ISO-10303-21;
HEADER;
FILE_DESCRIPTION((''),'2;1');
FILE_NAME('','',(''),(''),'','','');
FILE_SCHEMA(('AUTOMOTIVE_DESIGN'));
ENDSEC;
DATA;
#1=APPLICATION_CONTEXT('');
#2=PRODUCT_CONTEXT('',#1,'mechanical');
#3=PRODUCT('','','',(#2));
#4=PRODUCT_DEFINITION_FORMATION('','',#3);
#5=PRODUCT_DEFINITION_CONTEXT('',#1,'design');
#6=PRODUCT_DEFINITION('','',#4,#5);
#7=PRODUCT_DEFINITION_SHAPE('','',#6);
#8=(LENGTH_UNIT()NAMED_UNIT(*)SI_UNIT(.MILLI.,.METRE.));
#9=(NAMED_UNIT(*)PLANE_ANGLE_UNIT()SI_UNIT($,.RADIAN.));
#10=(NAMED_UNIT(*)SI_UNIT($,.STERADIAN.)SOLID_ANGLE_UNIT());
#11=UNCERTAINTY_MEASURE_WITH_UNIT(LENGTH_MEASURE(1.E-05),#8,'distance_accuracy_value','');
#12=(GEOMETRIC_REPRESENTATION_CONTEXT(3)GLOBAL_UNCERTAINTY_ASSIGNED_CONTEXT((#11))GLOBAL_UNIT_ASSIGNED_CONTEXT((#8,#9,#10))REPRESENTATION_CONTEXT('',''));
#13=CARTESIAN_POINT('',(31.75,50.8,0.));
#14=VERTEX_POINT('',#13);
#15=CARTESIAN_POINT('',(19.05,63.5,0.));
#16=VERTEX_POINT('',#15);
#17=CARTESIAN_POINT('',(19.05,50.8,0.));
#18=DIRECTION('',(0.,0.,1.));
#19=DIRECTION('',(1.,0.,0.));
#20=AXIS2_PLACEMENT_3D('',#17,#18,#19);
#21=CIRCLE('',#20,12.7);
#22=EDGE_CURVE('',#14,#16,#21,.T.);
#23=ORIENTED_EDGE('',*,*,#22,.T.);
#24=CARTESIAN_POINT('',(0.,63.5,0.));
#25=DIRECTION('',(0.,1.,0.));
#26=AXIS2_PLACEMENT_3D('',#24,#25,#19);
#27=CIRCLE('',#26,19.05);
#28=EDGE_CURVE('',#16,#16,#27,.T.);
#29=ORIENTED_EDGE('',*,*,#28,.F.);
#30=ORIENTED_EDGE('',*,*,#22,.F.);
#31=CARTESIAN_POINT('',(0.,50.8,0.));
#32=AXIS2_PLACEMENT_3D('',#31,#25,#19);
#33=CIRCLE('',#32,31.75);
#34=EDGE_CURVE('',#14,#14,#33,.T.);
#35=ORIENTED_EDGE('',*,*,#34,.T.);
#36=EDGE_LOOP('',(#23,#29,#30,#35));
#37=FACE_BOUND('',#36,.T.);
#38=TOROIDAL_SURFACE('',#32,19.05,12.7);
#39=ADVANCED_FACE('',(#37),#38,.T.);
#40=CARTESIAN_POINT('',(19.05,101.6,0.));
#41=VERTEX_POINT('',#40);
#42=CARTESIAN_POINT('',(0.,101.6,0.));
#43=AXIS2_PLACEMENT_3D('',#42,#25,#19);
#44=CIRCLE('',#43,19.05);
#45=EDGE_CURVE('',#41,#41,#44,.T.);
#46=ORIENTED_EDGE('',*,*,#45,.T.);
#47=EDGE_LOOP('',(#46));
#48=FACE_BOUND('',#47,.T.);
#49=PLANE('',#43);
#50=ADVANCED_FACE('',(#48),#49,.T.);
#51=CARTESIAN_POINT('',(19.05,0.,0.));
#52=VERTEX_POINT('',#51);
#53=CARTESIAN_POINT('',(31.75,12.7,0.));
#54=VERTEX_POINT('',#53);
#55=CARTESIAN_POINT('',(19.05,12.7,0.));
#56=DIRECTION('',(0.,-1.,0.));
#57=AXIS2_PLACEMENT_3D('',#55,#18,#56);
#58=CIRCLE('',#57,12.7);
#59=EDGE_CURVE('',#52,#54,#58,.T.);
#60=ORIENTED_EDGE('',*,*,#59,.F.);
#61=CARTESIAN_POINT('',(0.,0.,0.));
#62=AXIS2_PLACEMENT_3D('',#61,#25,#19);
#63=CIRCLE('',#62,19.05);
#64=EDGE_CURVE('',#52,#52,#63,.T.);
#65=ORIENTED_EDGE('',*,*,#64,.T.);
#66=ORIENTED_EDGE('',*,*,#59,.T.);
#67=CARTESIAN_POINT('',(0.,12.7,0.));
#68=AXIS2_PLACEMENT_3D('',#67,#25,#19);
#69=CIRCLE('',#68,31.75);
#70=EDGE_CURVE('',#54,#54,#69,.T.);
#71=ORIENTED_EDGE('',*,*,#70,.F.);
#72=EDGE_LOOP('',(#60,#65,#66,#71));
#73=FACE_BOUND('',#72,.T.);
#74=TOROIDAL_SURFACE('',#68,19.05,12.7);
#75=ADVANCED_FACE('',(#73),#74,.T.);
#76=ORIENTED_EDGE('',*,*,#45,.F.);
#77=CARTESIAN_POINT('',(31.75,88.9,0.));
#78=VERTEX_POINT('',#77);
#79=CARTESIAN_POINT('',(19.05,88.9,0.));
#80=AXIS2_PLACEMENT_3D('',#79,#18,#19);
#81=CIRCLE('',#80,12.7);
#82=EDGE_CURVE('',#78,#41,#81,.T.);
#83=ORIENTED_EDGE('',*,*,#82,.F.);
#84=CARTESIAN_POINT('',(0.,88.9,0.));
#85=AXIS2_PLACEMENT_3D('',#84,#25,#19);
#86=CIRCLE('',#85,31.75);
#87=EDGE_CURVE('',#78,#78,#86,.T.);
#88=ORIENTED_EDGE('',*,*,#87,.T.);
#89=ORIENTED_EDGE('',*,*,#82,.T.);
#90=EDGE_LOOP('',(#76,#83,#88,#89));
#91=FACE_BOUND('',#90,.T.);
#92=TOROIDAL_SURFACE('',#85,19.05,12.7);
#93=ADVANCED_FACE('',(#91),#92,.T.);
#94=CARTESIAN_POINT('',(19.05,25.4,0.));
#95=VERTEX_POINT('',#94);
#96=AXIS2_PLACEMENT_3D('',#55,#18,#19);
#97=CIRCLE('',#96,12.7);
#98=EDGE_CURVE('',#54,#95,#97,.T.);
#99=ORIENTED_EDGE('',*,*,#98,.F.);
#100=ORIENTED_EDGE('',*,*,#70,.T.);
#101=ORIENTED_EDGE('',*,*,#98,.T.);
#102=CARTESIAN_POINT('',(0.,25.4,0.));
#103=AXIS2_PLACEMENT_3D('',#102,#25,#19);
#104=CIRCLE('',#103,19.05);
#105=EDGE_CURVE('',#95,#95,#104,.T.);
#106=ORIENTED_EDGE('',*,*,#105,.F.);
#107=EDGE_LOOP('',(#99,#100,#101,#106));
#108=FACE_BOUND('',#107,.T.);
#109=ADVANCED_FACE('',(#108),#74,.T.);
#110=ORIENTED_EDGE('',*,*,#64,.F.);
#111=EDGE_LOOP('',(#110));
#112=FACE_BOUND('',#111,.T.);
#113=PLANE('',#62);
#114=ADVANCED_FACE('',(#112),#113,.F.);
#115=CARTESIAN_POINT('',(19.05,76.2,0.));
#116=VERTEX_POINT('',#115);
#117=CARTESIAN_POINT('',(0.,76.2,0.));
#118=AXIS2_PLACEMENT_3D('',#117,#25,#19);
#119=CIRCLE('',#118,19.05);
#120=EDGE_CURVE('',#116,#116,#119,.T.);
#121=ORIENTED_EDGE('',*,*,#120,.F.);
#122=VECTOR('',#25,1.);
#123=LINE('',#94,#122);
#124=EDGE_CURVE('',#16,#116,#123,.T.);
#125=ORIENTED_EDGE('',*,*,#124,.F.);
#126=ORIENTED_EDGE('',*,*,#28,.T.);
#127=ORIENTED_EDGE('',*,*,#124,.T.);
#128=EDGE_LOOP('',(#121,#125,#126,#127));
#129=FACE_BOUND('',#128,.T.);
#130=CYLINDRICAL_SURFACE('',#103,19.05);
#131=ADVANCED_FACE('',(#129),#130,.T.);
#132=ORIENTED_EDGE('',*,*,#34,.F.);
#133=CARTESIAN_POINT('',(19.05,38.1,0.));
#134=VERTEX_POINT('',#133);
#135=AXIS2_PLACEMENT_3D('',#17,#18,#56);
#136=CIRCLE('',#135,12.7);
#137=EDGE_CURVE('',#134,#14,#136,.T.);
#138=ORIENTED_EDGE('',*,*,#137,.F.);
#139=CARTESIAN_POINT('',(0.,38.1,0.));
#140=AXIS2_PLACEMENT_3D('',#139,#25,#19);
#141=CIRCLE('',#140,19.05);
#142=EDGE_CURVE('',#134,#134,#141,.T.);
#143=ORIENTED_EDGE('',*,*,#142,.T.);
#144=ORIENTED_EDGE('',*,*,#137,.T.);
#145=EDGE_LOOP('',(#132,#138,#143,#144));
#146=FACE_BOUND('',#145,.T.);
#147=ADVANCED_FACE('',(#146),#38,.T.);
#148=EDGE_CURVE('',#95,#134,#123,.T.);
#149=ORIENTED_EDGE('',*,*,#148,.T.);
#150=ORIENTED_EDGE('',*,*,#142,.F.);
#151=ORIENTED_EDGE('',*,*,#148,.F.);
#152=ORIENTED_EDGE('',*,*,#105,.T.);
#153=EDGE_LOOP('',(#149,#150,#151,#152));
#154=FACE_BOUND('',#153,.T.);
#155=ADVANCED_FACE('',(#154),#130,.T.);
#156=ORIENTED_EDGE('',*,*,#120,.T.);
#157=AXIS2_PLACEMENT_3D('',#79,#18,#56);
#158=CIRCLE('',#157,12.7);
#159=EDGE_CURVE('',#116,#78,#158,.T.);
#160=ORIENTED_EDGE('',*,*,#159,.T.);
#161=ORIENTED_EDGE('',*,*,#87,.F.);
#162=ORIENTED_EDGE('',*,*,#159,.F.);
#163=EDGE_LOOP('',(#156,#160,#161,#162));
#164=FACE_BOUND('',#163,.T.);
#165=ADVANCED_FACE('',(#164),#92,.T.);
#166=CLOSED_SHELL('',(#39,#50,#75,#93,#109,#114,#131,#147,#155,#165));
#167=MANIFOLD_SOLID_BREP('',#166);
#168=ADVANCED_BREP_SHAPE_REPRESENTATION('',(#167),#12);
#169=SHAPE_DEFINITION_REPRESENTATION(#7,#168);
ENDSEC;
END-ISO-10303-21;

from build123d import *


with BuildPart() as f1:
    # F0 (on Top) → F1 (revolve)
    with BuildSketch(Plane.XY):
        with BuildLine():
            Line((0, 101.6), (0, 0))
            Line((0, 0), (19.05, 0))
            ThreePointArc((19.05, 0), (6.35, 12.7), (19.05, 25.4))
            Line((19.05, 25.4), (19.05, 38.1))
            ThreePointArc((19.05, 38.1), (6.35, 50.8), (19.05, 63.5))
            Line((19.05, 63.5), (19.05, 76.2))
            ThreePointArc((19.05, 76.2), (6.35, 88.9), (19.05, 101.6))
            Line((19.05, 101.6), (0, 101.6))
        make_face()
        with BuildLine():
            ThreePointArc((19.05, 25.4), (6.35, 12.7), (19.05, 0))
            Line((19.05, 0), (19.05, 25.4))
        make_face()
        with BuildLine():
            Line((19.05, 25.4), (19.05, 0))
            ThreePointArc((19.05, 0), (28.0302561211, 3.7197438789), (31.75, 12.7))
            ThreePointArc((31.75, 12.7), (28.0302561211, 21.6802561211), (19.05, 25.4))
        make_face()
        with BuildLine():
            ThreePointArc((31.75, 88.9), (28.0302561211, 97.8802561211), (19.05, 101.6))
            Line((19.05, 101.6), (19.05, 76.2))
            ThreePointArc((19.05, 76.2), (28.0302561211, 79.9197438789), (31.75, 88.9))
        make_face()
        with BuildLine():
            Line((19.05, 76.2), (19.05, 101.6))
            ThreePointArc((19.05, 101.6), (6.35, 88.9), (19.05, 76.2))
        make_face()
        with BuildLine():
            ThreePointArc((19.05, 63.5), (6.35, 50.8), (19.05, 38.1))
            Line((19.05, 38.1), (19.05, 63.5))
        make_face()
        with BuildLine():
            Line((19.05, 63.5), (19.05, 38.1))
            ThreePointArc((19.05, 38.1), (28.0302561211, 41.8197438789), (31.75, 50.8))
            ThreePointArc((31.75, 50.8), (28.0302561211, 59.7802561211), (19.05, 63.5))
        make_face()
    revolve(axis=Axis((0, 50.8, 0), (0, 1, 0)))


solid = f1.part
